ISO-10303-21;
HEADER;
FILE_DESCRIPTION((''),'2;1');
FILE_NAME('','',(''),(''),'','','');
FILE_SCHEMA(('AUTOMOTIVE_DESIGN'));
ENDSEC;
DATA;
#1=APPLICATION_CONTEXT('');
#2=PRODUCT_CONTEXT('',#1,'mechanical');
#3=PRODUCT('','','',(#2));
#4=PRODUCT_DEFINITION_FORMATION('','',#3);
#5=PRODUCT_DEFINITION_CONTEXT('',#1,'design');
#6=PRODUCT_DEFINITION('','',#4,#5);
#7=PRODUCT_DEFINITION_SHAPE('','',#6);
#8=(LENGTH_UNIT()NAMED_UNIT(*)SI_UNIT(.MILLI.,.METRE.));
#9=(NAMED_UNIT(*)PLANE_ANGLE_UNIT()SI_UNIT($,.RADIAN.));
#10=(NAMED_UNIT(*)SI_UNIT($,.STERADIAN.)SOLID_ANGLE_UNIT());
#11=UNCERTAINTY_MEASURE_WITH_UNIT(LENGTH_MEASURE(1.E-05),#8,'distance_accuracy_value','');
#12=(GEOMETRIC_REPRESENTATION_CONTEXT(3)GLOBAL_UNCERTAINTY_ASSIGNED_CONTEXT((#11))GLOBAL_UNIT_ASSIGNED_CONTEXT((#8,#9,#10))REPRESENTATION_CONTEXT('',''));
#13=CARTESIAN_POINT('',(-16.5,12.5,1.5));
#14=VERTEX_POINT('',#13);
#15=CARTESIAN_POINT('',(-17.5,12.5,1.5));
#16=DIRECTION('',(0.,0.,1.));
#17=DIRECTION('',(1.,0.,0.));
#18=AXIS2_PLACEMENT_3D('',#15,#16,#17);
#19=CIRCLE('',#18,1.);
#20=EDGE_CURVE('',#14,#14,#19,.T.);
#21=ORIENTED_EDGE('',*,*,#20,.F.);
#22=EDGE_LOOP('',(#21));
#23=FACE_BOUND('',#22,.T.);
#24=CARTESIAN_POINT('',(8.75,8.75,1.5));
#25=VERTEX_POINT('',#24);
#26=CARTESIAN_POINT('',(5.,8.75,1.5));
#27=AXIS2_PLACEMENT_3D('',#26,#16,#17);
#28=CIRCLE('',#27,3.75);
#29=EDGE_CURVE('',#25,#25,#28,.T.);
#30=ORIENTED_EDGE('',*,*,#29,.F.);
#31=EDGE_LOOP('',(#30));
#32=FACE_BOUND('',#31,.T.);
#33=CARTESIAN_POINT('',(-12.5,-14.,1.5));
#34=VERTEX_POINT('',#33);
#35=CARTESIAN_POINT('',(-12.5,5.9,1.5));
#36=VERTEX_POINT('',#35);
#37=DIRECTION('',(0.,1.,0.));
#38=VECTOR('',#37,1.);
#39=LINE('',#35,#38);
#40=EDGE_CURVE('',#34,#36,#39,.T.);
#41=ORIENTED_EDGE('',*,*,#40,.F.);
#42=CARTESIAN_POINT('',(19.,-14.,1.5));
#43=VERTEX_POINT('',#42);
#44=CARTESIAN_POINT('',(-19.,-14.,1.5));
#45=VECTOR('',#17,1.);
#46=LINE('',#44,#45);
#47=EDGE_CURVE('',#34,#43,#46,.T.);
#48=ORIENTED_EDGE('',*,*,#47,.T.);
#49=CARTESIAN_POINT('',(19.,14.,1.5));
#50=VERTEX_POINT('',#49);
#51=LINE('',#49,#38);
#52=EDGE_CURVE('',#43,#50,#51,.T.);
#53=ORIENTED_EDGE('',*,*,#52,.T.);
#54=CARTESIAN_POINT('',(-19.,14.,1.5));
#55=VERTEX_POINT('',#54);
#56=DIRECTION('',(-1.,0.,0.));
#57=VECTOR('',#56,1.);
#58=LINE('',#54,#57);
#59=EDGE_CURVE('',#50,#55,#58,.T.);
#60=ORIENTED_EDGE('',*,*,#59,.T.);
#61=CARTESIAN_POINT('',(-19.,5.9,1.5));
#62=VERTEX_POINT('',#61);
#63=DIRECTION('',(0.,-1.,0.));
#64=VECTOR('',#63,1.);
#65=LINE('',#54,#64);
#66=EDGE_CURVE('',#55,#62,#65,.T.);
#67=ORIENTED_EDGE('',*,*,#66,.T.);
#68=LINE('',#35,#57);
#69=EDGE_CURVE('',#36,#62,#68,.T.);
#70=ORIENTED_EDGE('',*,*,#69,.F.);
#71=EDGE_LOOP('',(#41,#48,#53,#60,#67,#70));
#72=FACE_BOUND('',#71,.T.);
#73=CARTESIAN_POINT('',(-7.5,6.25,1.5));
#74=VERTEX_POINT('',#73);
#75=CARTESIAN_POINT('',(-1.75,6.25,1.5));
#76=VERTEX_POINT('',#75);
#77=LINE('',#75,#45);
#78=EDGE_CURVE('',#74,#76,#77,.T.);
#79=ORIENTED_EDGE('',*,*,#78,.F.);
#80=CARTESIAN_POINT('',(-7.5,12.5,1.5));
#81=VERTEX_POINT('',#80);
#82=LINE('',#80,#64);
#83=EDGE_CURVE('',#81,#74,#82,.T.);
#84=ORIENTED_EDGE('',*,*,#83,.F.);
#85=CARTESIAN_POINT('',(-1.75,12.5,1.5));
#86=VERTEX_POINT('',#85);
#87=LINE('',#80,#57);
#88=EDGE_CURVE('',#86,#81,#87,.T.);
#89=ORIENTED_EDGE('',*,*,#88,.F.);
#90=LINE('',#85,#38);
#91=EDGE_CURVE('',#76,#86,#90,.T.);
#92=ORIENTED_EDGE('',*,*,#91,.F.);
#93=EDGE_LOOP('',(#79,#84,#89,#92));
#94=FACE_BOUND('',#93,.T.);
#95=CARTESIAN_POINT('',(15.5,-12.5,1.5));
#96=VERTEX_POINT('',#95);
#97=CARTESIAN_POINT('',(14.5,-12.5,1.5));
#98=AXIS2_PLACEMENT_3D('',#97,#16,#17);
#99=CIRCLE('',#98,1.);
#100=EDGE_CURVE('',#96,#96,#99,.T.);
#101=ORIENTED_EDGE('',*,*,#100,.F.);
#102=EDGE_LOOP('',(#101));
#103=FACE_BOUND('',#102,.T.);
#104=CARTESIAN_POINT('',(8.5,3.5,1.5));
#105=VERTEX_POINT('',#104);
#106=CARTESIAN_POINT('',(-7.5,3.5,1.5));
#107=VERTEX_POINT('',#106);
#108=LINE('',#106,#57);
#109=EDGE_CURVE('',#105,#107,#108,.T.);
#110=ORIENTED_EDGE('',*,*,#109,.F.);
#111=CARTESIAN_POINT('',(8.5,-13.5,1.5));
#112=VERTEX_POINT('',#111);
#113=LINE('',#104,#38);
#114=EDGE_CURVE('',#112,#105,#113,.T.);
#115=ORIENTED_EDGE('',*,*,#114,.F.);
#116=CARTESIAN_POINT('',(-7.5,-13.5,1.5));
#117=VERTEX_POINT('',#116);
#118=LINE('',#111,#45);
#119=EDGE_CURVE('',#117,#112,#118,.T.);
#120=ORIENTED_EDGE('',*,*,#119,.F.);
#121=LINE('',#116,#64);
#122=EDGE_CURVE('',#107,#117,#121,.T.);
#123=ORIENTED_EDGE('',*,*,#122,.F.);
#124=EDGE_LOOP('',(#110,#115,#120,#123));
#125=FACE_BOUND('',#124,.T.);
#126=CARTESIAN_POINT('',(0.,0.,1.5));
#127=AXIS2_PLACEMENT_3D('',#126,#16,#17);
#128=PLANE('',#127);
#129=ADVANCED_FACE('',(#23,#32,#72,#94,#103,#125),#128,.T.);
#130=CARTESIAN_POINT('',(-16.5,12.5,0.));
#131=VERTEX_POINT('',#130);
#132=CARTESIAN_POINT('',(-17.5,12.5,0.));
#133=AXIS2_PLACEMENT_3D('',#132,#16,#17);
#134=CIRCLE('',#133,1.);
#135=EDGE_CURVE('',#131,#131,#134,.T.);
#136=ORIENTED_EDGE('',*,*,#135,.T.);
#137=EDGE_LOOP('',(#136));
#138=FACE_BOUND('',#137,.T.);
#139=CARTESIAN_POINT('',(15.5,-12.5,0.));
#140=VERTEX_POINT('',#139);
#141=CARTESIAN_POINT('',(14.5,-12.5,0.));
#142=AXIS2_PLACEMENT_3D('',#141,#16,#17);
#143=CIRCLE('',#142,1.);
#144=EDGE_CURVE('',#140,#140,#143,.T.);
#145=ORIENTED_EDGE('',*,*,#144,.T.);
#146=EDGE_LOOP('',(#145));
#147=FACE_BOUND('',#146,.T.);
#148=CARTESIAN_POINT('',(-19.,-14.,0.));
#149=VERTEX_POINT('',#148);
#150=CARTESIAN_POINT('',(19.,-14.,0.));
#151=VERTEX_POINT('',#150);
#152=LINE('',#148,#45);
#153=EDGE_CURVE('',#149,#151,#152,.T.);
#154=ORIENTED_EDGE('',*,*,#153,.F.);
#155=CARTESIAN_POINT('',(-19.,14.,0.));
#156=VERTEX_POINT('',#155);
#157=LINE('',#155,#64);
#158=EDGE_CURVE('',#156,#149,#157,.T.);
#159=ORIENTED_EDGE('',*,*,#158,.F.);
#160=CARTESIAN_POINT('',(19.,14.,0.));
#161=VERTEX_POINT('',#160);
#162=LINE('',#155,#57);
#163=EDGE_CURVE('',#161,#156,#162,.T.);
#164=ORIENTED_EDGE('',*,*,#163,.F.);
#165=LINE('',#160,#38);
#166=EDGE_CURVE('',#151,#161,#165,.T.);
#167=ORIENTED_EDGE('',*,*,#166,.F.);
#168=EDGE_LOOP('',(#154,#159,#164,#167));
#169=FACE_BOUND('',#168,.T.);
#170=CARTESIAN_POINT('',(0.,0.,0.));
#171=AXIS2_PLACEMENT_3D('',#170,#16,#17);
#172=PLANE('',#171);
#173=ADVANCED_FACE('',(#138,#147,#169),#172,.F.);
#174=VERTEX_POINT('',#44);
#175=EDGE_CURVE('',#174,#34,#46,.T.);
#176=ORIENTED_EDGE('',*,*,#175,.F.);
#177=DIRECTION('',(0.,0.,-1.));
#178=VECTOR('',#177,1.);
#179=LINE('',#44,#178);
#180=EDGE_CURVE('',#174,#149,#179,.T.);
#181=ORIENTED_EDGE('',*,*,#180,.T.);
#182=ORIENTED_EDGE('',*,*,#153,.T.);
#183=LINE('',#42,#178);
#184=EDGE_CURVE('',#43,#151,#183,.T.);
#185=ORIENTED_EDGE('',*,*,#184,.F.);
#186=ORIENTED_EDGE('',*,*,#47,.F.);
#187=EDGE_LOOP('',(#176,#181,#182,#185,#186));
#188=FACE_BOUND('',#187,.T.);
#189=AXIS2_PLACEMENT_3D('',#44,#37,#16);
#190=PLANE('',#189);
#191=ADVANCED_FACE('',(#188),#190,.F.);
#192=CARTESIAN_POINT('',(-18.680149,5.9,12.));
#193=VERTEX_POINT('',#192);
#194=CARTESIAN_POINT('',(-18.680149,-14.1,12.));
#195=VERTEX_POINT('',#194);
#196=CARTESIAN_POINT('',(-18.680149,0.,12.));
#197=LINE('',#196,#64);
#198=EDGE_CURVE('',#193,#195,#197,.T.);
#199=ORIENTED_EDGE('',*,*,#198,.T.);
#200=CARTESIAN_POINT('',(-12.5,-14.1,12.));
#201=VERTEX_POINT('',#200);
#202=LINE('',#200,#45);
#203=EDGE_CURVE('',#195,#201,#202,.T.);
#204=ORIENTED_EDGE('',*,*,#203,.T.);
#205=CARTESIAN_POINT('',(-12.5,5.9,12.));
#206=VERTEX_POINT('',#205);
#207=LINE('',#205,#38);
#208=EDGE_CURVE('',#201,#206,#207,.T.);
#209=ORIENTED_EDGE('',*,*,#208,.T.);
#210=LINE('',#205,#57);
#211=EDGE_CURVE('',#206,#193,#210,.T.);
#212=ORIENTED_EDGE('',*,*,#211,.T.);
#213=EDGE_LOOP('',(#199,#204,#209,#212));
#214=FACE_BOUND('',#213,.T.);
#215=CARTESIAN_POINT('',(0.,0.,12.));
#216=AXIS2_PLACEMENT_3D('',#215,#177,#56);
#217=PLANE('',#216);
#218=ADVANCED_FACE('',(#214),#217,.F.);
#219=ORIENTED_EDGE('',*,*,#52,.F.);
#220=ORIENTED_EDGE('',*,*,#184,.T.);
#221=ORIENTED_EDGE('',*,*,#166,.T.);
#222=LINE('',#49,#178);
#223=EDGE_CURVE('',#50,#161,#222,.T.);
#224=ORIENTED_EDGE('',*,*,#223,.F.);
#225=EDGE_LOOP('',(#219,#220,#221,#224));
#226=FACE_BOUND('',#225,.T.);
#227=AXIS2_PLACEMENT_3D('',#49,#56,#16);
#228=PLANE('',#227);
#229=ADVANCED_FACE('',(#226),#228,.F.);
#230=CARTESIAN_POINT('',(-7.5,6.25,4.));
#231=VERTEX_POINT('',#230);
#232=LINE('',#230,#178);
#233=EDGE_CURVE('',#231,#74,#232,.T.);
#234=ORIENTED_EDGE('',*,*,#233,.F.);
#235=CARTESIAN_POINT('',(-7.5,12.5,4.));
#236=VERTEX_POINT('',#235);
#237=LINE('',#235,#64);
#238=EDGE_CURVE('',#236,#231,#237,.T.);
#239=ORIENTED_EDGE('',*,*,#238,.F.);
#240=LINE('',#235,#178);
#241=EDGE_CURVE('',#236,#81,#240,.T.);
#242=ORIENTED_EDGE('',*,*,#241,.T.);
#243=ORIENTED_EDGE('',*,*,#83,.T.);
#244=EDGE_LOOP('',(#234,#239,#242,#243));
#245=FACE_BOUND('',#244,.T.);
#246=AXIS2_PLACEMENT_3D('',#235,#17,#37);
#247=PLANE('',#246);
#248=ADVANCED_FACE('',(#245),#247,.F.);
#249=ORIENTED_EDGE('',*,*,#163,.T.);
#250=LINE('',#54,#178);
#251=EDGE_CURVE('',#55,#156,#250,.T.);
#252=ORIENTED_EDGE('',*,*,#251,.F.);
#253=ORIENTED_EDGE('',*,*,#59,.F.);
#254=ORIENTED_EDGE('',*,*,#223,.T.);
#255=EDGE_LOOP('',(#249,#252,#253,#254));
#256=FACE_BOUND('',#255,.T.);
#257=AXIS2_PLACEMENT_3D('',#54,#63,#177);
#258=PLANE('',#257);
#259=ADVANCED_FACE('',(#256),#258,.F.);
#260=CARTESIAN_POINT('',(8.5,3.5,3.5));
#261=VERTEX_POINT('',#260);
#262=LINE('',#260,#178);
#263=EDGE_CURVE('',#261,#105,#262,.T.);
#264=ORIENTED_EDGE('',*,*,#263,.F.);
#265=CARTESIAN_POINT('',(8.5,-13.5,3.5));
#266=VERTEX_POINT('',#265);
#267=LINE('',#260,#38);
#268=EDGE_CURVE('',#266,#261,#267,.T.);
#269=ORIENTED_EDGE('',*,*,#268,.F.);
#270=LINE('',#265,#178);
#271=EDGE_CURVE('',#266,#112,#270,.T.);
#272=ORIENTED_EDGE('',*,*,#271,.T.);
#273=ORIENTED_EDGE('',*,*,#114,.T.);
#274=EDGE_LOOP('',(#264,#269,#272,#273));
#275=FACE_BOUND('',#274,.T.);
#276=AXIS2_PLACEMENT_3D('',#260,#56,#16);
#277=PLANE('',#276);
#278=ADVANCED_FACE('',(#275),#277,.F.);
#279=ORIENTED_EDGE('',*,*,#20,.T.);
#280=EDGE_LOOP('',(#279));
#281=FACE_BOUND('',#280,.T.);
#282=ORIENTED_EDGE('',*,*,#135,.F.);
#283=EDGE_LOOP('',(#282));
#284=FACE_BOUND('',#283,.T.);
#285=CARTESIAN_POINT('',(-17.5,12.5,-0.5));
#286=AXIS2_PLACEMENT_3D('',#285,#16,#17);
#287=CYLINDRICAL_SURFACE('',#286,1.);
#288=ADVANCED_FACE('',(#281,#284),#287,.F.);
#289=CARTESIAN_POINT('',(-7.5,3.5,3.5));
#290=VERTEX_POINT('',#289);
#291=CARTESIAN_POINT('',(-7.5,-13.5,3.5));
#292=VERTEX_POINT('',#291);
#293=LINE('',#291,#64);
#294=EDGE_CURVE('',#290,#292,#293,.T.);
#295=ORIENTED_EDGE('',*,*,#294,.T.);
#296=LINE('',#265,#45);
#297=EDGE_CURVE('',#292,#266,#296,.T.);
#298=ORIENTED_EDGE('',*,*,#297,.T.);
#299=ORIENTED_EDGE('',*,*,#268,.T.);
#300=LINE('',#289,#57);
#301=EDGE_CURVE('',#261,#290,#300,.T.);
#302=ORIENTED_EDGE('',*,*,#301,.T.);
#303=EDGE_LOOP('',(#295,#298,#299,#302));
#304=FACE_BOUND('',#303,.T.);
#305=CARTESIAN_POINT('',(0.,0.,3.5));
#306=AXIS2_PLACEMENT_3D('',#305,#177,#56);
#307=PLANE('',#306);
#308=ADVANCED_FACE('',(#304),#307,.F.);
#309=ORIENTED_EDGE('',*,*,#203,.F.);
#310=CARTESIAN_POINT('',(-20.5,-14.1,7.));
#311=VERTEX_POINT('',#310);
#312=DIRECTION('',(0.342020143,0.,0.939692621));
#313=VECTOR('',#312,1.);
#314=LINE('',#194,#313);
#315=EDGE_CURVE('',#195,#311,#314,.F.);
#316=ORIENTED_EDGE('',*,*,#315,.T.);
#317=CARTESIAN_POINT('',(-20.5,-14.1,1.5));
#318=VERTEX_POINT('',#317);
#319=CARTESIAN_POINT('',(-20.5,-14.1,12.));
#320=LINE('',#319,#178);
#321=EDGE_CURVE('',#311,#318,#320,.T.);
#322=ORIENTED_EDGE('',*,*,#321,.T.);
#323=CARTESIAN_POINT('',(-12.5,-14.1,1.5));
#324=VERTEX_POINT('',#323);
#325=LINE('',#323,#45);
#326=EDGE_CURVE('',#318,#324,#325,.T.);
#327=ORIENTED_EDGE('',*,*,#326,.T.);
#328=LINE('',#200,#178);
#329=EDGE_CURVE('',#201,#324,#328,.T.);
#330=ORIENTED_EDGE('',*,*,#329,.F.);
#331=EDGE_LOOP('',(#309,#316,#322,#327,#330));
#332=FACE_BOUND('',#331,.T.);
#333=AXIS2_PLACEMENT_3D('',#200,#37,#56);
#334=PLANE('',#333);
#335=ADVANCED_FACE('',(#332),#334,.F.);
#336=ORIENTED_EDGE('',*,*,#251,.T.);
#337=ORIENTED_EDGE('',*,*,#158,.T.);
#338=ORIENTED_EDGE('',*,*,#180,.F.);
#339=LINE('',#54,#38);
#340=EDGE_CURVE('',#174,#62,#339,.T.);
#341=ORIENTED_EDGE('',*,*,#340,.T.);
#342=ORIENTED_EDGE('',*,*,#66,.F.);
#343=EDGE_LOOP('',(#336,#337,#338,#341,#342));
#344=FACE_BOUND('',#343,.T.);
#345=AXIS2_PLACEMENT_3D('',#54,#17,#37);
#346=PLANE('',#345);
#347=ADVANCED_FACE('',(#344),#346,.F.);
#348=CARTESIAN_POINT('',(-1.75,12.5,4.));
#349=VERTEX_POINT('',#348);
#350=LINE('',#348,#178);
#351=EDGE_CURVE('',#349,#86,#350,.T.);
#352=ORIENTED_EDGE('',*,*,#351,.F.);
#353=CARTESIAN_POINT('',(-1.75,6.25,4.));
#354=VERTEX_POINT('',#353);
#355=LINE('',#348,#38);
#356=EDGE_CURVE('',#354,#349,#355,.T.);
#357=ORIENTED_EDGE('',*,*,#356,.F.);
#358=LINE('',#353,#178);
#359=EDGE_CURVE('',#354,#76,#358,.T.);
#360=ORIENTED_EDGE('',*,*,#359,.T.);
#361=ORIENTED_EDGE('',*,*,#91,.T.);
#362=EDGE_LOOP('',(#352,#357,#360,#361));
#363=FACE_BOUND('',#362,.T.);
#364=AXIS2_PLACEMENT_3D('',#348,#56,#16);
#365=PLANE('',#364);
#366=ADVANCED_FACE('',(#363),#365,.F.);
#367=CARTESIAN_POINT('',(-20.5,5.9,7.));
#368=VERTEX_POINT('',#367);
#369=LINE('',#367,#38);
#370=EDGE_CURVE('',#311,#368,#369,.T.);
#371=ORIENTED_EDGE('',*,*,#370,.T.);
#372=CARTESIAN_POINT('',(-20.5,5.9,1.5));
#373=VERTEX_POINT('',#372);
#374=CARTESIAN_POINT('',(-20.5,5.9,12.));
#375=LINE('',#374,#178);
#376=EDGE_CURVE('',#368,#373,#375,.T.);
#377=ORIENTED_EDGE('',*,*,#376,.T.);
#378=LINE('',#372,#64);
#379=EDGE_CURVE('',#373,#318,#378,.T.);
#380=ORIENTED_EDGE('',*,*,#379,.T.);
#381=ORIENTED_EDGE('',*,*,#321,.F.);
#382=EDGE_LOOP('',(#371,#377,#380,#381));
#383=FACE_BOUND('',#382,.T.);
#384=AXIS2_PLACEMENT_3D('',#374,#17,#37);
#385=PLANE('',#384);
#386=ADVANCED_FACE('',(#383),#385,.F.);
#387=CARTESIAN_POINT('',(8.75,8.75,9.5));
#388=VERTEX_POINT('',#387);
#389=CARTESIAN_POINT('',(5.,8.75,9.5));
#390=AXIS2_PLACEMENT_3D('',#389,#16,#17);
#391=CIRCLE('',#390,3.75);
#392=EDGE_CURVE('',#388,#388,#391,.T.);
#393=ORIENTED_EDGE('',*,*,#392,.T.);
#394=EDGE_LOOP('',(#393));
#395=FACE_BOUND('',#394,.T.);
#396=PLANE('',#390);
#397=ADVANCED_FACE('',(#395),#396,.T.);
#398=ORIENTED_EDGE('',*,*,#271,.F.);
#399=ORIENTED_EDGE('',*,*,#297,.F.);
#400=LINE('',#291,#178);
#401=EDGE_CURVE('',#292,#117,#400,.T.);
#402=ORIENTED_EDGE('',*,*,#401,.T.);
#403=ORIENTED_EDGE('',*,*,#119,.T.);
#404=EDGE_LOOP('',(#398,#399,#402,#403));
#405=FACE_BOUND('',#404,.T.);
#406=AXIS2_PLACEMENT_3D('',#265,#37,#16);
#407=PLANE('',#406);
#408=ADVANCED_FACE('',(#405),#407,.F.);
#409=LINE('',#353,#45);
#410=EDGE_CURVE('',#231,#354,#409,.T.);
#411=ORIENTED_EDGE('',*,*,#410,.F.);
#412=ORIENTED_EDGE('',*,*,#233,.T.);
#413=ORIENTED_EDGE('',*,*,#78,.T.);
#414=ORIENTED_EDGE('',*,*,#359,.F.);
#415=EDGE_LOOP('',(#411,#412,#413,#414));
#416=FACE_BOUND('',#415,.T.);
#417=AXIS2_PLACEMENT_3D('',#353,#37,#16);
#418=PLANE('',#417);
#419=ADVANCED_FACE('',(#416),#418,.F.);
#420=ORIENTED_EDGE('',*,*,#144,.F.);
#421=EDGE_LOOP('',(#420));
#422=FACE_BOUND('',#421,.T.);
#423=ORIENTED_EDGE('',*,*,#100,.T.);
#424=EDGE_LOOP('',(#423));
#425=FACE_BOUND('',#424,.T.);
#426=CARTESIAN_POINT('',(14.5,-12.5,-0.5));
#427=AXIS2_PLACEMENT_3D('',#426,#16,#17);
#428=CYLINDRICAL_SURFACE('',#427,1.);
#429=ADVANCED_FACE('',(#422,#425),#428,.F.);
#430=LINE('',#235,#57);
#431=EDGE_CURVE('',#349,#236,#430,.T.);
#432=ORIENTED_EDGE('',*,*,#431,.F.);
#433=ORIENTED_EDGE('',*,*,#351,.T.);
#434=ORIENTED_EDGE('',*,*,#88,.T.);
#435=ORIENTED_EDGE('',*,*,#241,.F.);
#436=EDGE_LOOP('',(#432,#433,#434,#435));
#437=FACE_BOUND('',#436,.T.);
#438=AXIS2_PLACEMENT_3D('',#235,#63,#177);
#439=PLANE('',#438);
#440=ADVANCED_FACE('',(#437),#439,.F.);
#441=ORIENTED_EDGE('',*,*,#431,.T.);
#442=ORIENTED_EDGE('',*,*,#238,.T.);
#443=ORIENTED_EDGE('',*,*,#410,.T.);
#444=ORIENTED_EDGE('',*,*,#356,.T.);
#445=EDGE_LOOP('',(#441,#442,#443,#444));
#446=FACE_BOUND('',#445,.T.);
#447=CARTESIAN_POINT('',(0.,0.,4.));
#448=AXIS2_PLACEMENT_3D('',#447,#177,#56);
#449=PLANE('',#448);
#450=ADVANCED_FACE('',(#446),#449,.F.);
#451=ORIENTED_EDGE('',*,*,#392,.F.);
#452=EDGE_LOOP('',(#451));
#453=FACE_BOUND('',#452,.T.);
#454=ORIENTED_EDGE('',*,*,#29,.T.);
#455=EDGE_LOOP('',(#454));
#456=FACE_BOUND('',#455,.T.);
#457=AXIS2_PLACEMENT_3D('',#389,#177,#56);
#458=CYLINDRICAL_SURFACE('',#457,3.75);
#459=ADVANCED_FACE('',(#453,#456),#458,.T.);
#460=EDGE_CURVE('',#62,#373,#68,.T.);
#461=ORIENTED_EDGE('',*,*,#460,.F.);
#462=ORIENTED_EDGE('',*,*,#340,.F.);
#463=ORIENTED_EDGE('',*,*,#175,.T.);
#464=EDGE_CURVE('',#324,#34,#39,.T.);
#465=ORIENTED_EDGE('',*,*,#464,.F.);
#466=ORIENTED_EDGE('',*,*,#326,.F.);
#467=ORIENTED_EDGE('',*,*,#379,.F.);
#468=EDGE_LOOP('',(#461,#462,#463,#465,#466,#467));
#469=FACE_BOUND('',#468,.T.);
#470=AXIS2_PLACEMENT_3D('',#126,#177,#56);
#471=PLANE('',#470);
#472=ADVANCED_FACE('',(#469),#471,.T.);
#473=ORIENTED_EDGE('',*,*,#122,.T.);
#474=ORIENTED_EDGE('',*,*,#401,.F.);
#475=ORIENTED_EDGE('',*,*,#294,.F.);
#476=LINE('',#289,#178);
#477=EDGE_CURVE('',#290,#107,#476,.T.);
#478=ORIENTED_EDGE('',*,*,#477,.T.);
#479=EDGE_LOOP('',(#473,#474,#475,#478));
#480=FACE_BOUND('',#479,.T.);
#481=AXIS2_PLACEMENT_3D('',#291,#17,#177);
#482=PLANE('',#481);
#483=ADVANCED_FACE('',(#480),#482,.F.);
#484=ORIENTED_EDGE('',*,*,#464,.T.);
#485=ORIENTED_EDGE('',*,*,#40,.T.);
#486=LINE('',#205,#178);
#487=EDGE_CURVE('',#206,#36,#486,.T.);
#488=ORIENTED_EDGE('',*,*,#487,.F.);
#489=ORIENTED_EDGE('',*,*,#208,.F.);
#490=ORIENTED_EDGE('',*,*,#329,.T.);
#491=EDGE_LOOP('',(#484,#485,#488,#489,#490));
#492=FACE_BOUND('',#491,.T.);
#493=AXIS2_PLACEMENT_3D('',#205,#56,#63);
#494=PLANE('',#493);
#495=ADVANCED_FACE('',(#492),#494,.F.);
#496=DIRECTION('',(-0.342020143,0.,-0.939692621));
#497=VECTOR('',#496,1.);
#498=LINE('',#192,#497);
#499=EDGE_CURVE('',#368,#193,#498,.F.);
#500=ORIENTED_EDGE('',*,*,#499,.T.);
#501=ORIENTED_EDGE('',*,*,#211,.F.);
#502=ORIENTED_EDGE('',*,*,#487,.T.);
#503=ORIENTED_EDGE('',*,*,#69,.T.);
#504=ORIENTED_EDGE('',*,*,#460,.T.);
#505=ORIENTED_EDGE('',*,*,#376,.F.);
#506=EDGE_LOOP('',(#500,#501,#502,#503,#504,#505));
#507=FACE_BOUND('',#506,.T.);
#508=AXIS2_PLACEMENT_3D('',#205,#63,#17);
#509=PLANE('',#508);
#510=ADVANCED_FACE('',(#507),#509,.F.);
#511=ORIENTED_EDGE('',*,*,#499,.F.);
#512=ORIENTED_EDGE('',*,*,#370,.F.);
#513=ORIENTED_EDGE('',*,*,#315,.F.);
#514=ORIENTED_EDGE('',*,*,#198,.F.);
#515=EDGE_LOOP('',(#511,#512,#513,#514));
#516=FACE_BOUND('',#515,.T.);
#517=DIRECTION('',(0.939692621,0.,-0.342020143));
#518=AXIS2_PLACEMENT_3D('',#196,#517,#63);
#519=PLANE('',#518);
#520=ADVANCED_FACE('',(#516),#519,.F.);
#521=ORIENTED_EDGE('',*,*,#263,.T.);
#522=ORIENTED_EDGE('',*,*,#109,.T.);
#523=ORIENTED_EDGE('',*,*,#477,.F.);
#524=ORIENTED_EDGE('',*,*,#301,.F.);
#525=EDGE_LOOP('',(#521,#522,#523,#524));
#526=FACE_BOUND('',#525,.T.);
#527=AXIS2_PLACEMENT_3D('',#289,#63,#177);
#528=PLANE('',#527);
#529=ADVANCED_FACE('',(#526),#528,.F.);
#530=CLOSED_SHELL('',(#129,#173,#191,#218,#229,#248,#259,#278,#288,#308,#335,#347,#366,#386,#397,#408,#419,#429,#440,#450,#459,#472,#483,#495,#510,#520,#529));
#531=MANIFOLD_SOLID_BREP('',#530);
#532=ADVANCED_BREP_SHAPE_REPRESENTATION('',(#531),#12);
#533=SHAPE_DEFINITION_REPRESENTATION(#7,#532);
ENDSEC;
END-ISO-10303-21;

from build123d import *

# Parameters (mm, degrees)
SKETCH1_W           = 38
SKETCH1_H           = 28
BOSS_EXTRUDE1_DEPTH = 1.5
SKETCH2_R           = 3.75
BOSS_EXTRUDE2_DEPTH = 8
SKETCH3_W           = 5.75
SKETCH3_H           = 6.25
BOSS_EXTRUDE3_DEPTH = 2.5
SKETCH4_W           = 16
SKETCH4_H           = 17
BOSS_EXTRUDE4_DEPTH = 2
SKETCH5_R           = 1
CUT_EXTRUDE1_DEPTH  = 2
SKETCH7_R           = 1
CUT_EXTRUDE3_DEPTH  = 2
SKETCH8_W           = 8
SKETCH8_H           = 20
BOSS_EXTRUDE5_DEPTH = 10.5
CHAMFER1_SIZE       = 5
CHAMFER1_SIZE2      = 1.819851171


with BuildPart() as part:
    # Sketch1 → Boss-Extrude1 (new body)
    with BuildSketch(Plane.XY):
        Rectangle(SKETCH1_W, SKETCH1_H)
    extrude(amount=BOSS_EXTRUDE1_DEPTH)

    # Sketch2 → Boss-Extrude2 (add)
    with BuildSketch(Plane.XY.offset(1.5)):
        with Locations((5, 8.75)):
            Circle(SKETCH2_R)
    extrude(amount=BOSS_EXTRUDE2_DEPTH)

    # Sketch3 → Boss-Extrude3 (add)
    with BuildSketch(Plane.XY.offset(1.5)):
        with Locations((-4.625, 9.375)):
            Rectangle(SKETCH3_W, SKETCH3_H)
    extrude(amount=BOSS_EXTRUDE3_DEPTH)

    # Sketch4 → Boss-Extrude4 (add)
    with BuildSketch(Plane.XY.offset(1.5)):
        with Locations((0.5, -5)):
            Rectangle(SKETCH4_W, SKETCH4_H)
    extrude(amount=BOSS_EXTRUDE4_DEPTH)

    # Sketch5 → Cut-Extrude1 (cut)
    with BuildSketch(Plane.XY.offset(1.5)):
        with Locations((14.5, -12.5)):
            Circle(SKETCH5_R)
    extrude(amount=-CUT_EXTRUDE1_DEPTH, mode=Mode.SUBTRACT)

    # Sketch7 → Cut-Extrude3 (cut)
    with BuildSketch(Plane.XY.offset(1.5)):
        with Locations((-17.5, 12.5)):
            Circle(SKETCH7_R)
    extrude(amount=-CUT_EXTRUDE3_DEPTH, mode=Mode.SUBTRACT)

    # Sketch8 → Boss-Extrude5 (add)
    with BuildSketch(Plane.XY.offset(1.5)):
        with Locations((-16.5, -4.1)):
            Rectangle(SKETCH8_W, SKETCH8_H)
    extrude(amount=BOSS_EXTRUDE5_DEPTH)

    # Chamfer1
    chamfer1_edges = [part.edges().sort_by_distance(p)[0] for p in [
        (-20.5, -4.1, 12),
    ]]
    chamfer1_side = [part.faces().sort_by_distance(p)[0] for p in [
        (-20.5, -4.1, 6.75),
    ]]
    chamfer(chamfer1_edges, length=CHAMFER1_SIZE, length2=CHAMFER1_SIZE2, reference=chamfer1_side[0])


solid = part.part
